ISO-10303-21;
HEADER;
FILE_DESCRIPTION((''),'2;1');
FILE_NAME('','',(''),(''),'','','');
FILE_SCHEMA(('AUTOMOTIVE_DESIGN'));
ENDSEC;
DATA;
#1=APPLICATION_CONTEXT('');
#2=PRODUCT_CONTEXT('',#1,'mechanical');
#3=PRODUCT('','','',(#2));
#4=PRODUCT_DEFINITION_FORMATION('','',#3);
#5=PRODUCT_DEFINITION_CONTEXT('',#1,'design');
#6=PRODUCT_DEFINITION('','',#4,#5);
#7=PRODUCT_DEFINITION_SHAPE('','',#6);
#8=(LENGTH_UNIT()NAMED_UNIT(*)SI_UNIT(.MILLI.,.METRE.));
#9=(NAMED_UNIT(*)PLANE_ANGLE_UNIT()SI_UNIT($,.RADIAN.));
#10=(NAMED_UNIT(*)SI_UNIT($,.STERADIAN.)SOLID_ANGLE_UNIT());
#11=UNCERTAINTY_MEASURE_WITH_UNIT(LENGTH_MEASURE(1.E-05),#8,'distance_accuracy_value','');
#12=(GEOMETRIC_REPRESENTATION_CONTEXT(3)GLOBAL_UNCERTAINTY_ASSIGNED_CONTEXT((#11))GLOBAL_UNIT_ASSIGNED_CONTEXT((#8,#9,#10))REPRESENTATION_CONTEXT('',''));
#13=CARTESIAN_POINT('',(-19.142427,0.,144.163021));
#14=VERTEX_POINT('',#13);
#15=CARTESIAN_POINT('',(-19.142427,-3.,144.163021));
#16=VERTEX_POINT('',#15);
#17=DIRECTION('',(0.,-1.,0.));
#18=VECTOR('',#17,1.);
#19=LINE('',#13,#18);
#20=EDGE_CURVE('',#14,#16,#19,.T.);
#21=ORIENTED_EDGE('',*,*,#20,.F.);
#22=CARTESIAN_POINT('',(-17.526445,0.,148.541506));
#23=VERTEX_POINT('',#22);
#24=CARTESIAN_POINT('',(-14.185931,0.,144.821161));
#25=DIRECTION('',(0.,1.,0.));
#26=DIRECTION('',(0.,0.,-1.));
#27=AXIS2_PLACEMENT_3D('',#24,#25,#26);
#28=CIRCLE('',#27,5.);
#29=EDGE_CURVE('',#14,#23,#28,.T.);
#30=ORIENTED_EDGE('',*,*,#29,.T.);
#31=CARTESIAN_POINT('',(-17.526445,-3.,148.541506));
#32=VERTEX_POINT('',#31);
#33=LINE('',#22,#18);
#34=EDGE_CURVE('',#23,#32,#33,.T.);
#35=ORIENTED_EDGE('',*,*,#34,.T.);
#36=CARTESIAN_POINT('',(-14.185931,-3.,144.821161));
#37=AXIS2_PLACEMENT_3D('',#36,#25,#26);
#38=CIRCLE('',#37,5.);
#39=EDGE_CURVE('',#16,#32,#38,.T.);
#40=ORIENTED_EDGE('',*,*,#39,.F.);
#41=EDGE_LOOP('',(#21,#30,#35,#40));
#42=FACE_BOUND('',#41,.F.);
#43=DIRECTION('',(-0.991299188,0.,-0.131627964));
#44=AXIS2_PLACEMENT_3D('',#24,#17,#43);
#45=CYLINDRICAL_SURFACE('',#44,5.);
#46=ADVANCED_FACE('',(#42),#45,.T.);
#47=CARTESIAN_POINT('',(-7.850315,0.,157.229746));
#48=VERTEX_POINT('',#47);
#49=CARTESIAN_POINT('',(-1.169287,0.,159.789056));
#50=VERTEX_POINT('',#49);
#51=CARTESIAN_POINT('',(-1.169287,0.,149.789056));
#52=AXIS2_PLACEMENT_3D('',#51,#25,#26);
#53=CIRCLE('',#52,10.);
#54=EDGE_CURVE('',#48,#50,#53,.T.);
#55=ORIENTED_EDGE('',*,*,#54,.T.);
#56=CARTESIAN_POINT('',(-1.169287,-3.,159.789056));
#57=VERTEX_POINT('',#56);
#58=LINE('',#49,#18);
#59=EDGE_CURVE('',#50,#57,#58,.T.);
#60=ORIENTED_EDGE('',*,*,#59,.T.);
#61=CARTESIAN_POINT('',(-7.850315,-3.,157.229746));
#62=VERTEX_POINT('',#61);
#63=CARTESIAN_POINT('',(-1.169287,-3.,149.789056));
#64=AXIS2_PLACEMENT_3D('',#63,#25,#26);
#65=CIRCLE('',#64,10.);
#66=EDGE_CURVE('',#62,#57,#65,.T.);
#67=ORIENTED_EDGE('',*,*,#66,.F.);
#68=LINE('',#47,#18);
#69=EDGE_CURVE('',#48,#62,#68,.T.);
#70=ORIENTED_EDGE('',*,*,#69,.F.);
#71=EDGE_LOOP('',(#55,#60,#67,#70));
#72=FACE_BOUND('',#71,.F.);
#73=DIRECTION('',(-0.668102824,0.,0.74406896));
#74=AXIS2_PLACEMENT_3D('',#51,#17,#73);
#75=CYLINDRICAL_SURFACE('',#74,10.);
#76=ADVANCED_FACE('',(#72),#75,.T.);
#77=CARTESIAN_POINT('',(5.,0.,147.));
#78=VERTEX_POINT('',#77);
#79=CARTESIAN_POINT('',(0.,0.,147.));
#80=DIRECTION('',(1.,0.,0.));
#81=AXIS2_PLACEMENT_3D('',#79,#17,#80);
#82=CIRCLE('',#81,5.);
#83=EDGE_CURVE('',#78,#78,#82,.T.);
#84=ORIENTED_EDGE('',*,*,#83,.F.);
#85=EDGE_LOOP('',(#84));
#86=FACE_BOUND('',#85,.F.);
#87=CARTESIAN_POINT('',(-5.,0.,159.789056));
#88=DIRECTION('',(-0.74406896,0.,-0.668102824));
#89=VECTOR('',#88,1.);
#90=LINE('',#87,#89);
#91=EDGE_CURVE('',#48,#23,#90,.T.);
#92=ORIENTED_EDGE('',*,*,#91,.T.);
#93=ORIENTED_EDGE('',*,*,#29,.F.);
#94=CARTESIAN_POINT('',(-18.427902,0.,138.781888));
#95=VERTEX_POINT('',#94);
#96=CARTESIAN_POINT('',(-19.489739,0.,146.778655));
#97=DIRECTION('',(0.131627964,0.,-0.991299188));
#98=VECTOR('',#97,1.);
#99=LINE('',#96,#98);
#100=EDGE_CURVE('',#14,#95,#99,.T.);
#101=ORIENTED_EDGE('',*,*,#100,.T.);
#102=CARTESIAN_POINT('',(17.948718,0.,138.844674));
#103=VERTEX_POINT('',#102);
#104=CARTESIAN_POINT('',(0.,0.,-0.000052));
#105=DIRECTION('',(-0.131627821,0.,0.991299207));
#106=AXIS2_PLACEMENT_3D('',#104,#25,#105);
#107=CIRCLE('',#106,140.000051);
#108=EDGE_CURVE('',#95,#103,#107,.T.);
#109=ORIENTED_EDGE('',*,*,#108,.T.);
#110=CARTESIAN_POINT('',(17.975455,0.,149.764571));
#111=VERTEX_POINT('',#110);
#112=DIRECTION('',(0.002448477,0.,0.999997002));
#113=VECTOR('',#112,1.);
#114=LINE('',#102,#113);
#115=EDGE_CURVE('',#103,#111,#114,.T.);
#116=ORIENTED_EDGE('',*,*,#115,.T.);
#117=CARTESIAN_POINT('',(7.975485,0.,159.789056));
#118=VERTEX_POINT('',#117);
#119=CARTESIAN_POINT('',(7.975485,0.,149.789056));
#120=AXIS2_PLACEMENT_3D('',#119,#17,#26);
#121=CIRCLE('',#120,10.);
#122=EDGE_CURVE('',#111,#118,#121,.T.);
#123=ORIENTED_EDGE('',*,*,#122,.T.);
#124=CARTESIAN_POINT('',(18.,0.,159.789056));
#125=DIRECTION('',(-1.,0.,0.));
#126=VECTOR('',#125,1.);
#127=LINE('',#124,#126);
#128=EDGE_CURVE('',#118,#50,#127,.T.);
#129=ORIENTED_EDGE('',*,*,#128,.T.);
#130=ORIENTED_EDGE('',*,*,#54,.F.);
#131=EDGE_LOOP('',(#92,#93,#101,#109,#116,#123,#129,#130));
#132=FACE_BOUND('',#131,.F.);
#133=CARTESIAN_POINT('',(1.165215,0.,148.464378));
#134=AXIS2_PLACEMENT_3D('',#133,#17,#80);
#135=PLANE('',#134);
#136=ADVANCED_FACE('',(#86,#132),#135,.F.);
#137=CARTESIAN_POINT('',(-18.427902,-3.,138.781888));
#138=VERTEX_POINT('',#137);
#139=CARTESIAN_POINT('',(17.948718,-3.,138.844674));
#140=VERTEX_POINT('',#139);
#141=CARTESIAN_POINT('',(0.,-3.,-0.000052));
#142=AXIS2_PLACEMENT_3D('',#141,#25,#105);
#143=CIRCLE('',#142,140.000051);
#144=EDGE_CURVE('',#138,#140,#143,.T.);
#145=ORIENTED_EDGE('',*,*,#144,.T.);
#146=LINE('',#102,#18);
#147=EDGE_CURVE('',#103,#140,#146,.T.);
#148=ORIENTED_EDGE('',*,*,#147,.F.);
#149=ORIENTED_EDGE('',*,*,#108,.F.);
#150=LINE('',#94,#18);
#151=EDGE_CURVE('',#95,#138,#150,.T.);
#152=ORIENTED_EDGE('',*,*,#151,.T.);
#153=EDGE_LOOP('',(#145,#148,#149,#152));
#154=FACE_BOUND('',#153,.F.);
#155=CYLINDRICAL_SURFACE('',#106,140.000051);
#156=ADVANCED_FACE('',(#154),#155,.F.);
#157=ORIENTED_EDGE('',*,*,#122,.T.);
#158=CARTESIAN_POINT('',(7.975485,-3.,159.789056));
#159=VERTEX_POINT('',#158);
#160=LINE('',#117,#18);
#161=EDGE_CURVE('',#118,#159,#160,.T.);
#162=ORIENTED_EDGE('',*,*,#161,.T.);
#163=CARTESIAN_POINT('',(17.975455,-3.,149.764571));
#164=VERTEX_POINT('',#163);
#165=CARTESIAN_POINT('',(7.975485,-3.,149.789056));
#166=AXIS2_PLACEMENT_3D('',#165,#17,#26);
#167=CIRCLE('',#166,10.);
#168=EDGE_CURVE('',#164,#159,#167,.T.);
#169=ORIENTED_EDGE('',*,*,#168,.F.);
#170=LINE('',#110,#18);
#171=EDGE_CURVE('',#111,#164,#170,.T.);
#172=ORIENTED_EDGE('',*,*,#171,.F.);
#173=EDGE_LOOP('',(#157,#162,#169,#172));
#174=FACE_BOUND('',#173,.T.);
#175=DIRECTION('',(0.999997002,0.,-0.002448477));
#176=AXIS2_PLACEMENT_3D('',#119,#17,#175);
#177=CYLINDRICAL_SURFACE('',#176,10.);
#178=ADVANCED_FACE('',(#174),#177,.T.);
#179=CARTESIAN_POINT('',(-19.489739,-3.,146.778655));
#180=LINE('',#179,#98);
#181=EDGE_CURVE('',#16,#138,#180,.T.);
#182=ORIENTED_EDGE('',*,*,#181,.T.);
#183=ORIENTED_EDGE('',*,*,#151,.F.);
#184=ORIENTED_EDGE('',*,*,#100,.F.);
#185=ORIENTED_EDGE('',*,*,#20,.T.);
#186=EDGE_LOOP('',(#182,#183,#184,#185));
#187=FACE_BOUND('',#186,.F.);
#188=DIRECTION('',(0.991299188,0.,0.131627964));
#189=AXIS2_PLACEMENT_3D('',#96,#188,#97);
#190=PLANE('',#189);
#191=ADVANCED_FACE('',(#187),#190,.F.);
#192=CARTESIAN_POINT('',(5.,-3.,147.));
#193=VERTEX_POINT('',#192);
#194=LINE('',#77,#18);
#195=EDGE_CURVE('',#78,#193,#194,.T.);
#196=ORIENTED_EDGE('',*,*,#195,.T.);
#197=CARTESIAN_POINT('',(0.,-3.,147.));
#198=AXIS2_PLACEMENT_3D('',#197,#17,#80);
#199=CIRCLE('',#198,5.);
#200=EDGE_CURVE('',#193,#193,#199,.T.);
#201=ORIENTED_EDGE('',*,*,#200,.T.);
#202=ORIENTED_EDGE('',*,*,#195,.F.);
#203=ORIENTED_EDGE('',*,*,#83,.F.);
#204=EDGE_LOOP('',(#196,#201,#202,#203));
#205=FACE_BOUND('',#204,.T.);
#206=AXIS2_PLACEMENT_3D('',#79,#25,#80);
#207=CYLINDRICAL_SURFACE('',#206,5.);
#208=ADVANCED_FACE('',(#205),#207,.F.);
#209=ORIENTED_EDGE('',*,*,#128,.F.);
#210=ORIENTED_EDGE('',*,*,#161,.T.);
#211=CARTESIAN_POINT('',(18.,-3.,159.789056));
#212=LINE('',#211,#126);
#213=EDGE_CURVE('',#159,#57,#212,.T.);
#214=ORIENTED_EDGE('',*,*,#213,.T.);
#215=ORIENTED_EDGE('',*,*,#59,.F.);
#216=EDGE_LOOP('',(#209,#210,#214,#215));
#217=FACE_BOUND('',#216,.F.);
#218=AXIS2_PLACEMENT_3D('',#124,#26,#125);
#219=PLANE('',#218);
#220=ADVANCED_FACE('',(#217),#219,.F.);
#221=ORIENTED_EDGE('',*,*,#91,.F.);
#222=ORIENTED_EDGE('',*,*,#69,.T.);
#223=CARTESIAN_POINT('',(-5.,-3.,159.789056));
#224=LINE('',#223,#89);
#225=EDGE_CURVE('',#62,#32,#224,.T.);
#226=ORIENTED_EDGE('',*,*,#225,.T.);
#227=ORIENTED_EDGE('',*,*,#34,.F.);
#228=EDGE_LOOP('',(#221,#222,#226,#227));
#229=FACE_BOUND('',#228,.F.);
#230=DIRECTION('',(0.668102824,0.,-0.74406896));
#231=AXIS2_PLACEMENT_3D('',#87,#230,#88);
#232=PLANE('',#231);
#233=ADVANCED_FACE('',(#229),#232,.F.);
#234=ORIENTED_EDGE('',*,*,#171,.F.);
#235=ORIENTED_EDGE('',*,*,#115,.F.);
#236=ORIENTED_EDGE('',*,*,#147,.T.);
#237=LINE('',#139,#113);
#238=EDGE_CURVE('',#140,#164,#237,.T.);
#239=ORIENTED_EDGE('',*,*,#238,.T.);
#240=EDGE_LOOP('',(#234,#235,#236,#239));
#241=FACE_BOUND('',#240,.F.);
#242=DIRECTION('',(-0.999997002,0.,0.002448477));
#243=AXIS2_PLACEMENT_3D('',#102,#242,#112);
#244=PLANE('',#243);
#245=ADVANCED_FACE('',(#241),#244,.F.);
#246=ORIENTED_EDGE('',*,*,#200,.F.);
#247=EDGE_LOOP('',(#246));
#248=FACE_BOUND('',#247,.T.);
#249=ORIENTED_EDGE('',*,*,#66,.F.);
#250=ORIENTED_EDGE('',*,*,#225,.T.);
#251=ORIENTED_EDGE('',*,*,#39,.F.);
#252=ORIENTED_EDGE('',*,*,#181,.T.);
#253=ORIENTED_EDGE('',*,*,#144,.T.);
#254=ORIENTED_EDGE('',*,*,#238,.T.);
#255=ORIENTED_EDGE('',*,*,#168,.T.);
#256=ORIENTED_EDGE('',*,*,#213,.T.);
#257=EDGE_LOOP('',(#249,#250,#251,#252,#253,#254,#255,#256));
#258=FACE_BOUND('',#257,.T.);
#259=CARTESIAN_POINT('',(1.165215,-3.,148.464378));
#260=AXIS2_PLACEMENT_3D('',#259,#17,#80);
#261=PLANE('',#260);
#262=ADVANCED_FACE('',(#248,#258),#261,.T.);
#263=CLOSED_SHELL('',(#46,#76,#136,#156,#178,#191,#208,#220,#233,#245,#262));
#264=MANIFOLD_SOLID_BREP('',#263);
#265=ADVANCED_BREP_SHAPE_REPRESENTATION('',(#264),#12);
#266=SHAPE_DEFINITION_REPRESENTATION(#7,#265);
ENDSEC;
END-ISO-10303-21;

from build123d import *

# Parameters (mm, degrees)
F0_R     = 5
F1_DEPTH = 3
F2_R     = 10
F3_R     = 5


with BuildPart() as f1:
    # F0 (on Front) → F1 (new body)
    with BuildSketch(Plane.XZ):
        with BuildLine():
            ThreePointArc((-18.427902, 138.781888), (-0.24164, 139.999791), (17.948718, 138.844674))
            Line((17.948718, 138.844674), (18, 159.789056))
            Line((18, 159.789056), (0, 159.789056))
            Line((0, 159.789056), (-5, 159.789056))
            Line((-5, 159.789056), (-19.489739, 146.778655))
            Line((-19.489739, 146.778655), (-18.427902, 138.781888))
        make_face()
        with Locations((0, 147)):
            Circle(F0_R, mode=Mode.SUBTRACT)
    extrude(amount=F1_DEPTH)

    # F2
    f2_edges = [f1.edges().sort_by_distance(p)[0] for p in [
        (18, -1.5, 159.789056),
        (-5, -1.5, 159.789056),
    ]]
    fillet(f2_edges, radius=F2_R)

    # F3
    f3_edges = [f1.edges().sort_by_distance(p)[0] for p in [
        (-19.489739, -1.5, 146.778655),
    ]]
    fillet(f3_edges, radius=F3_R)


solid = f1.part
